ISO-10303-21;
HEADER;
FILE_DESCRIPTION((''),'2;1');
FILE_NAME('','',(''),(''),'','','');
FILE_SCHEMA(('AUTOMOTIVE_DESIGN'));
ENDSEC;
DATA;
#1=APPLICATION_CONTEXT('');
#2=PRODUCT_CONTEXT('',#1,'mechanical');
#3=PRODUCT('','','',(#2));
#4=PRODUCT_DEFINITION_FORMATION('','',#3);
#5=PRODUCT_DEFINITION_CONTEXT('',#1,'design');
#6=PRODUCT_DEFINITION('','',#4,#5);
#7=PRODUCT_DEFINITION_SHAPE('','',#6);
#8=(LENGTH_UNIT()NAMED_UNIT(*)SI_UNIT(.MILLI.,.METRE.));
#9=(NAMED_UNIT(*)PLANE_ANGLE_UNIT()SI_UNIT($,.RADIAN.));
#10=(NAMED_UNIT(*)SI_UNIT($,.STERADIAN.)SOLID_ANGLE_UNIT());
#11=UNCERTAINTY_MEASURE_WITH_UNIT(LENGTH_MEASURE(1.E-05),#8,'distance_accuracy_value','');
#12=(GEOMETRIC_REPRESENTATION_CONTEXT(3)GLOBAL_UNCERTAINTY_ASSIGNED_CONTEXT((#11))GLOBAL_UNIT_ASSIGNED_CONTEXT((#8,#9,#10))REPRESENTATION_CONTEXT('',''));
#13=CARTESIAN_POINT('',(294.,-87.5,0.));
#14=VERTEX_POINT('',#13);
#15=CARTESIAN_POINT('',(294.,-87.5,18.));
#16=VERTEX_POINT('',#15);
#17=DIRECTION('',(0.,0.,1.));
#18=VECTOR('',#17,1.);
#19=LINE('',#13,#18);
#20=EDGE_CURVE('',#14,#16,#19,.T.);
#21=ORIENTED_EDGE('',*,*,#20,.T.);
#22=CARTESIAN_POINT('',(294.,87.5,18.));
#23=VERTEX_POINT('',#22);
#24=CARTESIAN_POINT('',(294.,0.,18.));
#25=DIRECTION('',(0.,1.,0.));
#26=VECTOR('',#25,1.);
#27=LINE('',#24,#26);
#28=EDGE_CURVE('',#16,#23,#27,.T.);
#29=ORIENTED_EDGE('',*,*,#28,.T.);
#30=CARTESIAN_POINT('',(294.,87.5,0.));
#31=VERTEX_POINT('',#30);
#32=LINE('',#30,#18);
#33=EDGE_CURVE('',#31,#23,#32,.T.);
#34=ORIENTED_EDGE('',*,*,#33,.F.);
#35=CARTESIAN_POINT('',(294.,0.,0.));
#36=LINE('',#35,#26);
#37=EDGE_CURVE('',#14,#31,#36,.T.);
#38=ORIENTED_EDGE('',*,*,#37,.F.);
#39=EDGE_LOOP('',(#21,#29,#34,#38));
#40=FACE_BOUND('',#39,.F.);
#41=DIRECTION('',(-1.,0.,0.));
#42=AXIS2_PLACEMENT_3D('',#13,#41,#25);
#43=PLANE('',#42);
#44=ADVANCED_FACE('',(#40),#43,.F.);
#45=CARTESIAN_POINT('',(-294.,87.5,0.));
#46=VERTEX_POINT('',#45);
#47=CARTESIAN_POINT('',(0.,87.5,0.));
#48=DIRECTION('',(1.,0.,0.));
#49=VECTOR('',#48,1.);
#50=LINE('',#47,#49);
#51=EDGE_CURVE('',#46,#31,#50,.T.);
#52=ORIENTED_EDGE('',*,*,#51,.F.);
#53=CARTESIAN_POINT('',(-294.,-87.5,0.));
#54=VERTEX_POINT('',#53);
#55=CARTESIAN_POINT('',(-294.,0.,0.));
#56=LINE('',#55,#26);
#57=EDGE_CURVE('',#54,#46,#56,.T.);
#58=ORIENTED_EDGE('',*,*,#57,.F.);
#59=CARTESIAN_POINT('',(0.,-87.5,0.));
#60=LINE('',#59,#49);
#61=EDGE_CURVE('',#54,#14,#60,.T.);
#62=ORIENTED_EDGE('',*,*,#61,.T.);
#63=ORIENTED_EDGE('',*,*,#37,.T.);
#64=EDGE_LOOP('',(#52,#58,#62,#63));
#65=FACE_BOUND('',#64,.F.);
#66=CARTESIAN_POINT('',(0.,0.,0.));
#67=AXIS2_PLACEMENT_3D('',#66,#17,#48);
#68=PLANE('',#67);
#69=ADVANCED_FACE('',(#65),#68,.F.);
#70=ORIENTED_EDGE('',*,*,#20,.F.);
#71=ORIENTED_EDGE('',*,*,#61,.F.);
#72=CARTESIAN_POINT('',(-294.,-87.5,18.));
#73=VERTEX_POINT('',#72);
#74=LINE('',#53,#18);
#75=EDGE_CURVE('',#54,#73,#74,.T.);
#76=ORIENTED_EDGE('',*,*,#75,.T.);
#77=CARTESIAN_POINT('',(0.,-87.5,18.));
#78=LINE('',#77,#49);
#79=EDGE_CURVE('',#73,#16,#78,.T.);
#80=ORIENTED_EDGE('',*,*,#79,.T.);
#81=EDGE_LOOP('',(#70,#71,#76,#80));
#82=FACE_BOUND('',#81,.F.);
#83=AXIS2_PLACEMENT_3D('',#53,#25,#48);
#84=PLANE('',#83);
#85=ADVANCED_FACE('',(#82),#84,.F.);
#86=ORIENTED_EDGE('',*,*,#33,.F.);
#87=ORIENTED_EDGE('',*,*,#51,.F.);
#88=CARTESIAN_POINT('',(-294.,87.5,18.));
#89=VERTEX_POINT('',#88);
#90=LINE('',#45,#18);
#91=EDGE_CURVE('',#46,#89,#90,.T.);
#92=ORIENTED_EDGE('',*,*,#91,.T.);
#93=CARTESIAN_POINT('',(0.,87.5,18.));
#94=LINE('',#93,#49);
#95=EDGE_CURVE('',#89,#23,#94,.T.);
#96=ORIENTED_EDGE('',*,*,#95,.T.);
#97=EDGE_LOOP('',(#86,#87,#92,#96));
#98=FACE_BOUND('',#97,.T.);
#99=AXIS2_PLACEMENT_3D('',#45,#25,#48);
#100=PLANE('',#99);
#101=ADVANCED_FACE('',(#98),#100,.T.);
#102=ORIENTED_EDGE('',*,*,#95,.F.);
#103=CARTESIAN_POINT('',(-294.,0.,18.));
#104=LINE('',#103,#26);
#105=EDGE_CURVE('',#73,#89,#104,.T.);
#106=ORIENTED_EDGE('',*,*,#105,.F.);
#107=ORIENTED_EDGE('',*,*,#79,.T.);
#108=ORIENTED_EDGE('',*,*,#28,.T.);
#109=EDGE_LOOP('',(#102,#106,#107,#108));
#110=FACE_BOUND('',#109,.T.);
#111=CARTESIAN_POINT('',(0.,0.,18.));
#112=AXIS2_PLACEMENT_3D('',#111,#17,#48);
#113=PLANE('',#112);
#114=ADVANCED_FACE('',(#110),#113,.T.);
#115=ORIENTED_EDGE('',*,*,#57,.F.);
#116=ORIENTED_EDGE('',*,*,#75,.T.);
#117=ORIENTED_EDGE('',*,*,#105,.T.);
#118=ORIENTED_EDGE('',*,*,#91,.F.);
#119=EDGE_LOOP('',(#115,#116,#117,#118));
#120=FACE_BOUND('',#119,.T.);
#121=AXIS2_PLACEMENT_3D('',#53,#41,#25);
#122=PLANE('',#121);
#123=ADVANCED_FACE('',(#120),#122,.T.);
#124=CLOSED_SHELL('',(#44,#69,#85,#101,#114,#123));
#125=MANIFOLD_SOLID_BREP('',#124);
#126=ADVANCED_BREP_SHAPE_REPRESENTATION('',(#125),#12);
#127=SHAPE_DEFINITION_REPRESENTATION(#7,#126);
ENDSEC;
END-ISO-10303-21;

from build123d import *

# Parameters (mm, degrees)
SKETCH_W  = 588
SKETCH_H  = 175
PAD_DEPTH = 18


with BuildPart() as part:
    # Sketch → Pad (new body)
    with BuildSketch(Plane.XY):
        Rectangle(SKETCH_W, SKETCH_H)
    extrude(amount=PAD_DEPTH)


solid = part.part
